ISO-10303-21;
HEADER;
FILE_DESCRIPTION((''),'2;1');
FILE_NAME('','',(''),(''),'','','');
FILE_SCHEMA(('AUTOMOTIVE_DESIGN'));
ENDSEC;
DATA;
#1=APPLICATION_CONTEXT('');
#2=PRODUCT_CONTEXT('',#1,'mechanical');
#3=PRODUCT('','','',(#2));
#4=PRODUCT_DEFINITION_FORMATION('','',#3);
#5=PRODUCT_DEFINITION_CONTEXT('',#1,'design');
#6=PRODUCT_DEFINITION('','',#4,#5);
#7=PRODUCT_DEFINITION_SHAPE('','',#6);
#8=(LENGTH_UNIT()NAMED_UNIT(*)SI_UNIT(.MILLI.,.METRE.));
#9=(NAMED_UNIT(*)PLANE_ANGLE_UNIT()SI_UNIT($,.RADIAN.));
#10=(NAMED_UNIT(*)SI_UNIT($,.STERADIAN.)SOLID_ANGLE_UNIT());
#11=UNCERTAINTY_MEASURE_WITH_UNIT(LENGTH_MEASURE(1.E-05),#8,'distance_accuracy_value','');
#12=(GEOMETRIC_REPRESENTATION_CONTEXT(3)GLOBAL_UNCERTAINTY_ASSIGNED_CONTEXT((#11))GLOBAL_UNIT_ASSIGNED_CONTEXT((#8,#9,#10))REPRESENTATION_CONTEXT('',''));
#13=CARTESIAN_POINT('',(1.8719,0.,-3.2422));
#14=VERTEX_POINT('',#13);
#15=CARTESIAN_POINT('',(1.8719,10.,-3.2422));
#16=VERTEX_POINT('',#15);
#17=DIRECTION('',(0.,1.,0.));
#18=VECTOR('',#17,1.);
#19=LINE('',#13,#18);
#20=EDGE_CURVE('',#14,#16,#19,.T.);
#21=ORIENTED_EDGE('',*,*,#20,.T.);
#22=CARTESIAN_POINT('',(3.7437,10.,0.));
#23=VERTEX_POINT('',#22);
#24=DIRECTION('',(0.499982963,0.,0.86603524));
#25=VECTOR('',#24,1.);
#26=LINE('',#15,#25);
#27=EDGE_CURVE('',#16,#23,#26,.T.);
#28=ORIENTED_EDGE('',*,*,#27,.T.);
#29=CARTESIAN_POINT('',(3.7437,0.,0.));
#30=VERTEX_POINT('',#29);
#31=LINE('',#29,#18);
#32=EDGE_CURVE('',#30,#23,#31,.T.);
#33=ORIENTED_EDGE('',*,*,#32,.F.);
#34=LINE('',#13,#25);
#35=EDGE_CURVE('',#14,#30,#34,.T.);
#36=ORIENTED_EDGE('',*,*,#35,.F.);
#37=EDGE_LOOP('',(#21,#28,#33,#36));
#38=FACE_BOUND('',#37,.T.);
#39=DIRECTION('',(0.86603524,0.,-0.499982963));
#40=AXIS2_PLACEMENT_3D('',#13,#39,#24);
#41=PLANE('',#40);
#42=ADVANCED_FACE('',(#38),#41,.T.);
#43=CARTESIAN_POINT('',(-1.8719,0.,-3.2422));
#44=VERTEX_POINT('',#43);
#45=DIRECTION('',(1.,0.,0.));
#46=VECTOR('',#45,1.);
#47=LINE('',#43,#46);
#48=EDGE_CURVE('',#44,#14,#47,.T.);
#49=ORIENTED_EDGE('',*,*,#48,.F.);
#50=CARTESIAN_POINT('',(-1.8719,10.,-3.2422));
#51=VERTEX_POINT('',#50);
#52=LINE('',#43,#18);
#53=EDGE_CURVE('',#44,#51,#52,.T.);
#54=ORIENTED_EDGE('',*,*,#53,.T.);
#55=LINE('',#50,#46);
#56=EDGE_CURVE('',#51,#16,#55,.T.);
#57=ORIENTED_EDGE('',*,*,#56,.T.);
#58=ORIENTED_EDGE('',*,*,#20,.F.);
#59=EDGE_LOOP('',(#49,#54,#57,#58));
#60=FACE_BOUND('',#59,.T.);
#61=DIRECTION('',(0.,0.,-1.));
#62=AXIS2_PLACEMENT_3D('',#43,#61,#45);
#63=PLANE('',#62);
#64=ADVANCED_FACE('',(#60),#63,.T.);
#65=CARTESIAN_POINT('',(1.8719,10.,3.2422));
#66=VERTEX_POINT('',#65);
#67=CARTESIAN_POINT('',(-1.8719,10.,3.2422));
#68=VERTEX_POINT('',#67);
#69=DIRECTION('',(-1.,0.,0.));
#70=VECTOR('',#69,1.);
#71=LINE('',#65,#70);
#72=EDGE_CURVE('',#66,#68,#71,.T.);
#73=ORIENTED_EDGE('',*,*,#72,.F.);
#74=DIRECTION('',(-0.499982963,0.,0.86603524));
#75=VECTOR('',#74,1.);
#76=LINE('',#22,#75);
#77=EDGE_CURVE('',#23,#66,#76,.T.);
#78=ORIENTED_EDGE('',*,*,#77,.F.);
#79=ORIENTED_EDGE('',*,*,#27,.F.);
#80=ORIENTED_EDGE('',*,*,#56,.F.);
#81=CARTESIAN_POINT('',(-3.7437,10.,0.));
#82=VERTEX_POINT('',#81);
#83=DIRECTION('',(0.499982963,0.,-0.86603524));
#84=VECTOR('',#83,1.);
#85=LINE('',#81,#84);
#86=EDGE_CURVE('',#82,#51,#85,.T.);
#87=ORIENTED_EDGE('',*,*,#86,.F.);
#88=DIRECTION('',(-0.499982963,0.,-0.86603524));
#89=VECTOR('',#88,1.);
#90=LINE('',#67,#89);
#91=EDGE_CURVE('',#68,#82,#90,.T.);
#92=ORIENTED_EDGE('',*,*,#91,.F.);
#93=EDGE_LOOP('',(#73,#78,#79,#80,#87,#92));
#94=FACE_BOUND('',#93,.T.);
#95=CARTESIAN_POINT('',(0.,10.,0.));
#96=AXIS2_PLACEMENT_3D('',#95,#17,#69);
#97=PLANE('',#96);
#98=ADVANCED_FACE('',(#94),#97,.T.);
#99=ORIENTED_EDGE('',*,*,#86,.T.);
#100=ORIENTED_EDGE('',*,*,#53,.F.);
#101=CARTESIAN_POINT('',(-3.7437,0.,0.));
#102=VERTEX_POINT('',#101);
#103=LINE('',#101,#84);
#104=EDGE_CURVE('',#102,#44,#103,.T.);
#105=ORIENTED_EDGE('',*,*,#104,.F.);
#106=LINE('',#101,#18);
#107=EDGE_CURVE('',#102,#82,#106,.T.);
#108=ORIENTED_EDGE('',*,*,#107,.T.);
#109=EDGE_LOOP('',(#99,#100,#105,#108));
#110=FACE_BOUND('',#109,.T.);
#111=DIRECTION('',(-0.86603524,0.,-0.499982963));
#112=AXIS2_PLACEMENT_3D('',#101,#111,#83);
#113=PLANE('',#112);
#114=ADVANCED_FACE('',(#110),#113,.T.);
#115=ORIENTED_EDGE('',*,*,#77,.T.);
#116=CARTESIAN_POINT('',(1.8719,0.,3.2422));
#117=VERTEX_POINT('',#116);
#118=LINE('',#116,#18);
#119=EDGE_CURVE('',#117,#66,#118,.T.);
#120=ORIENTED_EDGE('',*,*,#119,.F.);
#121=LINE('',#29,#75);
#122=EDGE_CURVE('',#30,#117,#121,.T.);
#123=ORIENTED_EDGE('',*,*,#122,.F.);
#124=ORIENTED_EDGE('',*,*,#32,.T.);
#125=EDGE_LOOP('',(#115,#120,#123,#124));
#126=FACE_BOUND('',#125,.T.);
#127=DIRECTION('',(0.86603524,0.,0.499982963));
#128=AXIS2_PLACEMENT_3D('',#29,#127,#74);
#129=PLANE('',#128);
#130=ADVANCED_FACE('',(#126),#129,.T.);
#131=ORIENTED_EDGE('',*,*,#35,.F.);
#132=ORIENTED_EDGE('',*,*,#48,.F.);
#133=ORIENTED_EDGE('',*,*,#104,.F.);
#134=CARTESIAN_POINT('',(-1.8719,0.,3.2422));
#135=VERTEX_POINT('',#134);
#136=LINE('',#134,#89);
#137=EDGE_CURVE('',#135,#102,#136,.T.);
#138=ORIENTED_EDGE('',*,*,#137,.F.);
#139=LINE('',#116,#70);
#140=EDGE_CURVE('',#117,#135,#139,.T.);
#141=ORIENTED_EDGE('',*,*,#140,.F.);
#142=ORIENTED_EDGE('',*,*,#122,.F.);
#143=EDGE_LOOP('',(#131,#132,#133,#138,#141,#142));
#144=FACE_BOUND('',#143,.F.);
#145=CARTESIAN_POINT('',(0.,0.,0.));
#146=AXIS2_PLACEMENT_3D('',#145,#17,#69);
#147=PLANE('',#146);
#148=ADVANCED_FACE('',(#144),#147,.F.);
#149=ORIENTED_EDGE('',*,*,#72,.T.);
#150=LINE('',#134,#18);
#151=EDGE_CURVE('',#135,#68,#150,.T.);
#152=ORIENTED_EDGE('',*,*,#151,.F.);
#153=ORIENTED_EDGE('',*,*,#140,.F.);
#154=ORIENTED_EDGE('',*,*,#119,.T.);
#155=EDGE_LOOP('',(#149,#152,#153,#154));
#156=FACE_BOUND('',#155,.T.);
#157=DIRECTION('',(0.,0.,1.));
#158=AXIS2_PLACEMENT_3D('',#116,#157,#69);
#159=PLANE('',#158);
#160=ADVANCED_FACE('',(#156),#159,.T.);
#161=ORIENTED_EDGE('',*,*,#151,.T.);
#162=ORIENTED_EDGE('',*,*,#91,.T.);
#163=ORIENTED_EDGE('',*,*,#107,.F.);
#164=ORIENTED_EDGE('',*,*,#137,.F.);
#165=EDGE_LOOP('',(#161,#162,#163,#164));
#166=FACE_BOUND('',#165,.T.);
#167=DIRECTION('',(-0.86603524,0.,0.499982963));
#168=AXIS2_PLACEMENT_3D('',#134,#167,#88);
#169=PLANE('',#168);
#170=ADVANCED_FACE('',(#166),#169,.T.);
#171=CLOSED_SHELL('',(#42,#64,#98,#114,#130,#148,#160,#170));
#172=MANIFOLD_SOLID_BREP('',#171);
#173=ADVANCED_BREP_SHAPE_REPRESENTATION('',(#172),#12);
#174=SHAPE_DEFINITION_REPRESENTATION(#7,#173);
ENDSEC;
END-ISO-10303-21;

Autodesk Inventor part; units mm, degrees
ref_plane "YZ Plane" through (0, 0, 0) normal (1, 0, 0) x (0, 1, 0)
ref_plane "XZ Plane" through (0, 0, 0) normal (0, 1, 0) x (-1, 0, 0)
ref_plane "XY Plane" through (0, 0, 0) normal (0, 0, 1) x (1, 0, 0)
sketch "Sketch1" plane through (0, 0, 0) normal (0, 1, 0) x (-1, 0, 0)
  line L0 (-3.7437, 0) -> (-1.8719, 3.2422)
  line L1 (-1.8719, 3.2422) -> (1.8719, 3.2422)
  line L2 (1.8719, 3.2422) -> (3.7437, 0)
  line L3 (3.7437, 0) -> (1.8719, -3.2422)
  line L4 (1.8719, -3.2422) -> (-1.8719, -3.2422)
  line L5 (-1.8719, -3.2422) -> (-3.7437, 0)
  point P0 (0, 0)
  point P1 (0, 0)
extrude "Extrusion1" add sketch "Sketch1" along normal blind 10
properties part number "129_3"
